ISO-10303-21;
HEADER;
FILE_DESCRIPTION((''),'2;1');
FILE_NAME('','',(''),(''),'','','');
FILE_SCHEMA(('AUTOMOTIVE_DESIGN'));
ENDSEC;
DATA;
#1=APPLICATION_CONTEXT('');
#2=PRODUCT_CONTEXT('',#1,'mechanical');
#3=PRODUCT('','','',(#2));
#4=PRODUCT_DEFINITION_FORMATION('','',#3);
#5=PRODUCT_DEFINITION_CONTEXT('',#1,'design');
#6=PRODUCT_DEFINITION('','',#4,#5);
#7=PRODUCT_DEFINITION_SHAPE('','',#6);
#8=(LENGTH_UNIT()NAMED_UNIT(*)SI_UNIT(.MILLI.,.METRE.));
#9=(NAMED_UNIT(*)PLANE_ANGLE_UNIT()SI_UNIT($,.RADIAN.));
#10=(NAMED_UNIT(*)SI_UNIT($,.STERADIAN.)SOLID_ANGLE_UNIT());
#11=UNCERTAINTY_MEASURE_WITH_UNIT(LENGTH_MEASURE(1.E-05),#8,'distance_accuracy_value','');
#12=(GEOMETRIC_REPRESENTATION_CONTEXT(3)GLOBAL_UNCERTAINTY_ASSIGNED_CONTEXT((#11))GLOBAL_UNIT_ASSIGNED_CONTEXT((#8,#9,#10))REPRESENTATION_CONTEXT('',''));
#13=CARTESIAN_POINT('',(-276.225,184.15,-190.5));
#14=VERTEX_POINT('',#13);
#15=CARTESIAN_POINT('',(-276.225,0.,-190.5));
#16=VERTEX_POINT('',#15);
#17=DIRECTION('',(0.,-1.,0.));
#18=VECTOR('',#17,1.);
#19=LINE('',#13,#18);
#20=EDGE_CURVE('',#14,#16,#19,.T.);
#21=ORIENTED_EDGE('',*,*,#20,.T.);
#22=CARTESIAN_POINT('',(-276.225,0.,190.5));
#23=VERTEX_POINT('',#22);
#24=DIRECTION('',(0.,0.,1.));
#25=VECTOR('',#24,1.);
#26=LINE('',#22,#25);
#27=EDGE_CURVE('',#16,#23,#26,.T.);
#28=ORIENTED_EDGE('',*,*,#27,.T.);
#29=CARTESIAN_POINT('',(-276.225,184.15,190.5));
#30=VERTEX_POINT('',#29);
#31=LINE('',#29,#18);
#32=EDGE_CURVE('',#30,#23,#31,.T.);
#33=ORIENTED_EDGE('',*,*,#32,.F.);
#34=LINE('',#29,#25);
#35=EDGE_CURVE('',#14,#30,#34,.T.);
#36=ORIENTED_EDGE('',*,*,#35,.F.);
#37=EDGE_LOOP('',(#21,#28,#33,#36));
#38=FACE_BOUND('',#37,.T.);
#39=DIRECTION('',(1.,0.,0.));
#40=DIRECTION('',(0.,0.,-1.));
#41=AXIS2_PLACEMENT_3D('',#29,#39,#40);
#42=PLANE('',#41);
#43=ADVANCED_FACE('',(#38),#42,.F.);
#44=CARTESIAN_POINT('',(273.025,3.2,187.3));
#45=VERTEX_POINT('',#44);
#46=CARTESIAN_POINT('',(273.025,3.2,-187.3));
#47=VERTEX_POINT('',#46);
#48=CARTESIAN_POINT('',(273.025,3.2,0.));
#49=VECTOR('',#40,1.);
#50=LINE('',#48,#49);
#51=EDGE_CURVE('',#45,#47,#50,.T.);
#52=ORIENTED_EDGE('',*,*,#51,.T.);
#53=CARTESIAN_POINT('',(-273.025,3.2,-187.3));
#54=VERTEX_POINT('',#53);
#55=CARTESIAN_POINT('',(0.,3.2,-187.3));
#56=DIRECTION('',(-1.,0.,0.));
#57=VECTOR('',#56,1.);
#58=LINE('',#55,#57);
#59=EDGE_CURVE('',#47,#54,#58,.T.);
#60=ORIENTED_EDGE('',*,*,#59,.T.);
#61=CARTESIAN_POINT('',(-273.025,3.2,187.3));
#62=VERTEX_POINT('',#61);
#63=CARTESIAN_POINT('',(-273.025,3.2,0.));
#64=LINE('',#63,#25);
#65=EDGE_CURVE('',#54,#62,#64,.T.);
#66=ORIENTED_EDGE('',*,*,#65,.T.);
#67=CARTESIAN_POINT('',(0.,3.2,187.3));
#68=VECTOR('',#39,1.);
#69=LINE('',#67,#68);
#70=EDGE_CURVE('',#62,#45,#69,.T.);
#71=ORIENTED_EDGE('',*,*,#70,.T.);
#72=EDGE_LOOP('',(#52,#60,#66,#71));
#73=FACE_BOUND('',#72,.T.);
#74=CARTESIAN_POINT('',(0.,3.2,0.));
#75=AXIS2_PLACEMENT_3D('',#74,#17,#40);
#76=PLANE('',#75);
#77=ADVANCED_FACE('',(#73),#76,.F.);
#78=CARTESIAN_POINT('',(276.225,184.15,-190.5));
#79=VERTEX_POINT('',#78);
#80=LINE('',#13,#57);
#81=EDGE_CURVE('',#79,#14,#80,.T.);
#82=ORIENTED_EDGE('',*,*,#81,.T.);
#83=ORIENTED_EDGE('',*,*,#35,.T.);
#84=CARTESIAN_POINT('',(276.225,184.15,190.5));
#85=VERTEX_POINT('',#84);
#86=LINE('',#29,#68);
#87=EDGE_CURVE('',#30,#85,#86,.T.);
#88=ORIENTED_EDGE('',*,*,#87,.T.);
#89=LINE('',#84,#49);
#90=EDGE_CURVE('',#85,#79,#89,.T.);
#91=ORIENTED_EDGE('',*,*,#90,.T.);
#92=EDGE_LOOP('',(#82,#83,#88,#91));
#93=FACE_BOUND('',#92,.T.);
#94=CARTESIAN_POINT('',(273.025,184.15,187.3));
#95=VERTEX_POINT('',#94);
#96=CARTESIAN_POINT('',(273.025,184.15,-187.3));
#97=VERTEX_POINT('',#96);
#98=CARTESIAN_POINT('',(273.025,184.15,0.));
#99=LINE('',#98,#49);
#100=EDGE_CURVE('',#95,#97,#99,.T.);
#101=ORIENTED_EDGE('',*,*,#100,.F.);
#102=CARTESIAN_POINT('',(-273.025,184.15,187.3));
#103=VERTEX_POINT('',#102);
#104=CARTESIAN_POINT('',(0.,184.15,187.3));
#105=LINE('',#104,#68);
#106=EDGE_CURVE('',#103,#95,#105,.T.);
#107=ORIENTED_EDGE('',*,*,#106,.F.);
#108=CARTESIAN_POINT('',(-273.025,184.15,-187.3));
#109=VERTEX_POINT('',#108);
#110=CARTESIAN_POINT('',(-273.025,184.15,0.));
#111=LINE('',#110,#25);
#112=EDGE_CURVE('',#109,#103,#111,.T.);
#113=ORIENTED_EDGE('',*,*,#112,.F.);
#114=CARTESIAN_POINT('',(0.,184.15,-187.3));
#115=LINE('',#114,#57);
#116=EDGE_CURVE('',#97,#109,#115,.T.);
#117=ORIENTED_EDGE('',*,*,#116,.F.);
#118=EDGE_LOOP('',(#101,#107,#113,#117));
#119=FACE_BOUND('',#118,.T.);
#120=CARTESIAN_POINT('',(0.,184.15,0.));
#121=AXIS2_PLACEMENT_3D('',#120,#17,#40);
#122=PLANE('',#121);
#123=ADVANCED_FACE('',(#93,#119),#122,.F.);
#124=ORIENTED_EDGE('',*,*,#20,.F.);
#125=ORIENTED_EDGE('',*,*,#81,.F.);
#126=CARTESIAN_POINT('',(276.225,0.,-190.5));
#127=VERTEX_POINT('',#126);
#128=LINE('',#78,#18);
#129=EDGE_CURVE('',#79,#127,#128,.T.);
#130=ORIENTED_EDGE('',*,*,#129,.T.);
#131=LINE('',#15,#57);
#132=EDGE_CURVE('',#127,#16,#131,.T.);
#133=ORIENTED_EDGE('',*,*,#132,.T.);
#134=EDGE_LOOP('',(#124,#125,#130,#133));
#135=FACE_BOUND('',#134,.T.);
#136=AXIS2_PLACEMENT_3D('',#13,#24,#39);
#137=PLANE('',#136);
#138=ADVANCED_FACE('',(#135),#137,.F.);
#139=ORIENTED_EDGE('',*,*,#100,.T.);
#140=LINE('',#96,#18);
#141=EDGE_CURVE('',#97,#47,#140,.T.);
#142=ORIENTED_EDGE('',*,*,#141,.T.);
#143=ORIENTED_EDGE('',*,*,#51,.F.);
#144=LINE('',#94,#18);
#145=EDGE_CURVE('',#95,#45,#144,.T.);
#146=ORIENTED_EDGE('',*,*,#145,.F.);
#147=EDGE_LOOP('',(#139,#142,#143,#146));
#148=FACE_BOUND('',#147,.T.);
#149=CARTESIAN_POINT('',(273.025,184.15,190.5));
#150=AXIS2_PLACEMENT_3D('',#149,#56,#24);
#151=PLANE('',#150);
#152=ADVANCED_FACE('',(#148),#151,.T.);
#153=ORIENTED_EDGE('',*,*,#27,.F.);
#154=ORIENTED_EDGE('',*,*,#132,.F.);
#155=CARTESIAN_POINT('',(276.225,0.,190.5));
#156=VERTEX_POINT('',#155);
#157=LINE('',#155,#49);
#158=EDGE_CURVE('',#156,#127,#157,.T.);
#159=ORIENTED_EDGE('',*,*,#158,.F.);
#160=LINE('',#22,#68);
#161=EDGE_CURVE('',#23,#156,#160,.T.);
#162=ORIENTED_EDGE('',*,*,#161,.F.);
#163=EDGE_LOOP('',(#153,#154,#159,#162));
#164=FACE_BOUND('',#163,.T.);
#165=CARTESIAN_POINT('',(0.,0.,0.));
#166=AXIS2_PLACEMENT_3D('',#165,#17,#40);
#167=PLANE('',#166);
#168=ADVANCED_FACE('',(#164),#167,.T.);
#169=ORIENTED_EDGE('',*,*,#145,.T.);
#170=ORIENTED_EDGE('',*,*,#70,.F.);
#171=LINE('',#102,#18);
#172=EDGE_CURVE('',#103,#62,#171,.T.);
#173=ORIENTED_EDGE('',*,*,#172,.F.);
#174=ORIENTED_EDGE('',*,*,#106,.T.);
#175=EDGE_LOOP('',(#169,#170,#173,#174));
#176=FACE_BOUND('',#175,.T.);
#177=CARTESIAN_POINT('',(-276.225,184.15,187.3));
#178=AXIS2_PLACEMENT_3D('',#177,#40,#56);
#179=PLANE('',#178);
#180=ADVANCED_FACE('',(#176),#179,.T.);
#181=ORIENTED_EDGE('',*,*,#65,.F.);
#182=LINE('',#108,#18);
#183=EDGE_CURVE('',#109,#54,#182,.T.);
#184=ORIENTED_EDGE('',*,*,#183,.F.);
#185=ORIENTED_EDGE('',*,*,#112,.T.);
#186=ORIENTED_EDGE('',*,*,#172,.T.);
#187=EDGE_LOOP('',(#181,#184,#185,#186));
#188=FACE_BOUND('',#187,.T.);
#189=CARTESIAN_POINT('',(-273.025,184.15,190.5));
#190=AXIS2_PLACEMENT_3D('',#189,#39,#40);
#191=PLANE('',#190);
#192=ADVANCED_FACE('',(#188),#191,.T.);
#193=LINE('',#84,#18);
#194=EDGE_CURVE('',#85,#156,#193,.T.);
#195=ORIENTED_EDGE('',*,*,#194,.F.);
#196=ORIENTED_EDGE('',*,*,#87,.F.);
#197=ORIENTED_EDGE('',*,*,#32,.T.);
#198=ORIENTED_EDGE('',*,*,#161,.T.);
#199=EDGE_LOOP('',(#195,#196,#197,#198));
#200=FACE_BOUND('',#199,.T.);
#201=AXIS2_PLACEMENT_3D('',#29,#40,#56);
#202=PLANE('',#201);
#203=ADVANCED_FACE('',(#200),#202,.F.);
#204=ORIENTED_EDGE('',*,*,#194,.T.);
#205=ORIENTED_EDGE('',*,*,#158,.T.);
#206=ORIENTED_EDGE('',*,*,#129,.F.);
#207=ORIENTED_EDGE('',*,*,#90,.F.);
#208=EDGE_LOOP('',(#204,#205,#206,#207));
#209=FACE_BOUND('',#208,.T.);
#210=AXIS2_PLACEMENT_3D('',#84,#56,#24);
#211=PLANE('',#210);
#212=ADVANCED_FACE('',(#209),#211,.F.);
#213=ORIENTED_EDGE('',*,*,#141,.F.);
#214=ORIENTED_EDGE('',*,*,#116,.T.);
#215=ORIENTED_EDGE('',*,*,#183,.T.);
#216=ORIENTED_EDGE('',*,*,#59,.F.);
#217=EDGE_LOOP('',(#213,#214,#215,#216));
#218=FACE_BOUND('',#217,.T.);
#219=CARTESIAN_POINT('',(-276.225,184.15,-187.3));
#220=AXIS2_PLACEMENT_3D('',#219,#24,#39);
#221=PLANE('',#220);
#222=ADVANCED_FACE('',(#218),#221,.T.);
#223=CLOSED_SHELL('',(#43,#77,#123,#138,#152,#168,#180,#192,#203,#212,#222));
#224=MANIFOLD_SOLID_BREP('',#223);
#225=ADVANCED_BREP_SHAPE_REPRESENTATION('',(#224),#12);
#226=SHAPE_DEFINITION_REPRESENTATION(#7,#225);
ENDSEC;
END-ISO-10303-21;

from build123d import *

# Parameters (mm, degrees)
SKETCH1_W           = 552.45
SKETCH1_H           = 381
BOSS_EXTRUDE1_DEPTH = 184.15
SHELL1_T            = -3.2


with BuildPart() as part:
    # Sketch1 → Boss-Extrude1 (new body)
    with BuildSketch(Plane(origin=(0, 0, 0), x_dir=(1, 0, 0), z_dir=(0, 1, 0))):
        Rectangle(SKETCH1_W, SKETCH1_H)
    extrude(amount=BOSS_EXTRUDE1_DEPTH)

    # Shell1
    shell1_openings = [part.faces().sort_by_distance(p)[0] for p in [
        (0, 184.15, 0),
    ]]
    offset(amount=SHELL1_T, openings=shell1_openings, kind=Kind.INTERSECTION)


solid = part.part
